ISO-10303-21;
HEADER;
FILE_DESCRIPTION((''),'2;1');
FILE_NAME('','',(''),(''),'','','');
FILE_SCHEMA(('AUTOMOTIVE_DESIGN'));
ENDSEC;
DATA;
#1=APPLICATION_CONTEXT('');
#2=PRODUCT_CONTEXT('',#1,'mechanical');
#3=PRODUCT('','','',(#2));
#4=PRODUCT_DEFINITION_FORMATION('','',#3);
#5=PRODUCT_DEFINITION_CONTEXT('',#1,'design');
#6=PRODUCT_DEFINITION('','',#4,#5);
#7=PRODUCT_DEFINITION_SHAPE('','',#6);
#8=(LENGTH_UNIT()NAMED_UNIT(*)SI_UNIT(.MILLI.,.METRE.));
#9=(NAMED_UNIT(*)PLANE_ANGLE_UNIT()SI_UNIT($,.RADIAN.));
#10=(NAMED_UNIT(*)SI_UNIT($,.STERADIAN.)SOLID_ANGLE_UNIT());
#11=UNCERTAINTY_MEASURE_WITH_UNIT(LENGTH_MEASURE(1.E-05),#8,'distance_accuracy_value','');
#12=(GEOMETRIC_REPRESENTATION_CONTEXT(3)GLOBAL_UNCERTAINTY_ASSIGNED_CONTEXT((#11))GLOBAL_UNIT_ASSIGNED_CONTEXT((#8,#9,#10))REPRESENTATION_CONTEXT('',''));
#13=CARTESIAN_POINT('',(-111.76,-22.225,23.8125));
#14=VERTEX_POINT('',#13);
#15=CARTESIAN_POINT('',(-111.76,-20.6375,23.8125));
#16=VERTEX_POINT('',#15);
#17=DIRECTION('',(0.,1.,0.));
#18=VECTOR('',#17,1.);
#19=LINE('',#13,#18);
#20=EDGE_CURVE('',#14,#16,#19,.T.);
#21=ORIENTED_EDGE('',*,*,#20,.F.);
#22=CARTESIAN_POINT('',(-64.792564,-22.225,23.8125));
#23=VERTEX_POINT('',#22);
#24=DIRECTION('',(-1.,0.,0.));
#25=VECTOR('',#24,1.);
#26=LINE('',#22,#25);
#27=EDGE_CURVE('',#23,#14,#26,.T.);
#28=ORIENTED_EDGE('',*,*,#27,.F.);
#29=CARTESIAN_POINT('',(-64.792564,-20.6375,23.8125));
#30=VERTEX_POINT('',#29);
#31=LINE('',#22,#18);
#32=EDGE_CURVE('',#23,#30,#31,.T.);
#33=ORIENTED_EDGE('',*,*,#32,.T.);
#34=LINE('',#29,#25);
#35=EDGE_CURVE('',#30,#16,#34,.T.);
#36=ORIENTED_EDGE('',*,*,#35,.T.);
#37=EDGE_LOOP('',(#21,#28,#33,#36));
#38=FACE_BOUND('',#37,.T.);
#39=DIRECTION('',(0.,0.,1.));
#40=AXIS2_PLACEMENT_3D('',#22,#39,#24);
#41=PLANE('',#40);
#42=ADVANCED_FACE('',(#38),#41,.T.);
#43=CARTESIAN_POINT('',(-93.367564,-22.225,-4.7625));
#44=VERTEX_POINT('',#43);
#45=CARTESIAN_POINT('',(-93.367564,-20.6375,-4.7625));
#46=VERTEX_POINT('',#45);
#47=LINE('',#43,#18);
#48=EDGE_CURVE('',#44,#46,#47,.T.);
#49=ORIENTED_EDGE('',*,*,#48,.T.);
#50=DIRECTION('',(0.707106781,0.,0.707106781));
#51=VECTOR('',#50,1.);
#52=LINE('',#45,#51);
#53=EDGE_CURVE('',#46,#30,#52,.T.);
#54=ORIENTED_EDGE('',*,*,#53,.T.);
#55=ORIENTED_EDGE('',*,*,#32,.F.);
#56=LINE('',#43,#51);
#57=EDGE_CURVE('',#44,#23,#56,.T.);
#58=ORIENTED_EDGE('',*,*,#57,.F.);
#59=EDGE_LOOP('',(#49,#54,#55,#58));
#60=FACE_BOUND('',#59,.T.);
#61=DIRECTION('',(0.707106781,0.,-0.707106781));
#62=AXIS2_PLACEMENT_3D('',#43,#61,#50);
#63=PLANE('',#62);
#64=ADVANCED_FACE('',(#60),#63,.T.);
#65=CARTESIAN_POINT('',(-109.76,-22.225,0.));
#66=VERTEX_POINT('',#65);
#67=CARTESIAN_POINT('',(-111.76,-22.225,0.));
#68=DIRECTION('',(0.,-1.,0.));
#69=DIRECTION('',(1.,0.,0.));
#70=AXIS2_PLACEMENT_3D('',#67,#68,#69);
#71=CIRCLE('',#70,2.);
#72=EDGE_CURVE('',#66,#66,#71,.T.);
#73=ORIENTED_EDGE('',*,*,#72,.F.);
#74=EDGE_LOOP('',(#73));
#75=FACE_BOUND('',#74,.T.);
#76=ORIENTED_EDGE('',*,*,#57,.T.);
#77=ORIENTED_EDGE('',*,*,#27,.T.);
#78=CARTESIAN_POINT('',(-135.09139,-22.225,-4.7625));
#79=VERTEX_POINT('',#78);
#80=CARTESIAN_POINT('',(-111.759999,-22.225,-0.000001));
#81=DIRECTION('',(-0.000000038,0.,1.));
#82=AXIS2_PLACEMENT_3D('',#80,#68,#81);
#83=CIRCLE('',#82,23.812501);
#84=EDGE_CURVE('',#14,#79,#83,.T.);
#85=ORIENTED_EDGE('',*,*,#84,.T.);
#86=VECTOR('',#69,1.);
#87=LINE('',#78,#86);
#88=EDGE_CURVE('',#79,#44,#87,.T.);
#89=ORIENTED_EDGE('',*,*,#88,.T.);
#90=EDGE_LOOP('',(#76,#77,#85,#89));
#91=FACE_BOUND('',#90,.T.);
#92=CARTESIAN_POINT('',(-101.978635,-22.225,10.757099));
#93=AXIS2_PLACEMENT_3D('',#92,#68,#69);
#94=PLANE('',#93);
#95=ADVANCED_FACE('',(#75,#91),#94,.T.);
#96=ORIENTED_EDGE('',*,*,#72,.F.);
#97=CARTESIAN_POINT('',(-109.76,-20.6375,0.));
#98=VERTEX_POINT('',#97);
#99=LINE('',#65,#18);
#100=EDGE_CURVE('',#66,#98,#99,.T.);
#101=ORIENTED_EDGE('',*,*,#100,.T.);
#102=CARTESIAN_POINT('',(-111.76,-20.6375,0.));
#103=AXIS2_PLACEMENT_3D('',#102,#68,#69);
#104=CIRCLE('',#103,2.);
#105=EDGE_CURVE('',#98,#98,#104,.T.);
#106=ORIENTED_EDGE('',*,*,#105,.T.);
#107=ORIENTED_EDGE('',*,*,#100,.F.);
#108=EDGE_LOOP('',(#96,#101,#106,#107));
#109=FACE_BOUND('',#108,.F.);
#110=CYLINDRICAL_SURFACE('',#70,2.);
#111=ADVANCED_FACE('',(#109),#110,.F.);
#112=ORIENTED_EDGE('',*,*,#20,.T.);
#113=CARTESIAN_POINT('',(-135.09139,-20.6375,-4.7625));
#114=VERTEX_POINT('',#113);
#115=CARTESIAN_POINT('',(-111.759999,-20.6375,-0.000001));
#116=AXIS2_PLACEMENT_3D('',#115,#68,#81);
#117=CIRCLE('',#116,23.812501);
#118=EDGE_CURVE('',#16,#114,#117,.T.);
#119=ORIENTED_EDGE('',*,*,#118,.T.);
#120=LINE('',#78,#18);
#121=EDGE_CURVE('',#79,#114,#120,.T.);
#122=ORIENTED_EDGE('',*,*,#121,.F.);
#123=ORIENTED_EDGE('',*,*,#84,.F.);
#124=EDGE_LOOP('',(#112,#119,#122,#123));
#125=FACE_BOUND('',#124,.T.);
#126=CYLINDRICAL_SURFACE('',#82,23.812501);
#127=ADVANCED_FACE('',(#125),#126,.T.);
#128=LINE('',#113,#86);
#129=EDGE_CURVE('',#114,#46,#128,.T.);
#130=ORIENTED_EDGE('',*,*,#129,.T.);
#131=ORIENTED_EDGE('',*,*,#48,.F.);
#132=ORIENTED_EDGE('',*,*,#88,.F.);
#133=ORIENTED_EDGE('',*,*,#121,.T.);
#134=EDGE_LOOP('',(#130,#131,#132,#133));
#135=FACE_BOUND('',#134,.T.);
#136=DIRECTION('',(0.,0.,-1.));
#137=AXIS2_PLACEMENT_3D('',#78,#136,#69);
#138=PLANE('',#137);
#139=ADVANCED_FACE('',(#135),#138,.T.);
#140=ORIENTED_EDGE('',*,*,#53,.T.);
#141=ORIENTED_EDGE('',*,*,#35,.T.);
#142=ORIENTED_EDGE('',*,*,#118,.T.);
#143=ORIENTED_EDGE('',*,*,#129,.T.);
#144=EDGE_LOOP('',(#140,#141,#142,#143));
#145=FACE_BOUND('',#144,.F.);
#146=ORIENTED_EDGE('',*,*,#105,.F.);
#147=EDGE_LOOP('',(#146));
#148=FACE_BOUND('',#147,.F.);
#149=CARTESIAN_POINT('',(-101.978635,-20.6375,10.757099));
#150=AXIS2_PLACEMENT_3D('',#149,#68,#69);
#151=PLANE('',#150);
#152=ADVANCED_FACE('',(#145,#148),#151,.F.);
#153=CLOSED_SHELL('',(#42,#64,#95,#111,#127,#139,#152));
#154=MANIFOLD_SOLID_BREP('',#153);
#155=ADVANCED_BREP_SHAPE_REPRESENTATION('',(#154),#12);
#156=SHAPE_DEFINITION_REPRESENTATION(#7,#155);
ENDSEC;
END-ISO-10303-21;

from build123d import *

# Parameters (mm, degrees)
F2_R     = 2
F3_DEPTH = 1.5875


with BuildPart() as f3:
    # F2 (on offset) → F3 (new body)
    with BuildSketch(Plane.XZ.offset(22.225)):
        with BuildLine():
            Line((-64.792564, 23.8125), (-111.76, 23.8125))
            ThreePointArc((-111.76, 23.8125), (-130.205083, 15.060347), (-135.09139, -4.7625))
            Line((-135.09139, -4.7625), (-93.367564, -4.7625))
            Line((-93.367564, -4.7625), (-64.792564, 23.8125))
        make_face()
        with Locations((-111.76, 0)):
            Circle(F2_R, mode=Mode.SUBTRACT)
    extrude(amount=-F3_DEPTH)


solid = f3.part
